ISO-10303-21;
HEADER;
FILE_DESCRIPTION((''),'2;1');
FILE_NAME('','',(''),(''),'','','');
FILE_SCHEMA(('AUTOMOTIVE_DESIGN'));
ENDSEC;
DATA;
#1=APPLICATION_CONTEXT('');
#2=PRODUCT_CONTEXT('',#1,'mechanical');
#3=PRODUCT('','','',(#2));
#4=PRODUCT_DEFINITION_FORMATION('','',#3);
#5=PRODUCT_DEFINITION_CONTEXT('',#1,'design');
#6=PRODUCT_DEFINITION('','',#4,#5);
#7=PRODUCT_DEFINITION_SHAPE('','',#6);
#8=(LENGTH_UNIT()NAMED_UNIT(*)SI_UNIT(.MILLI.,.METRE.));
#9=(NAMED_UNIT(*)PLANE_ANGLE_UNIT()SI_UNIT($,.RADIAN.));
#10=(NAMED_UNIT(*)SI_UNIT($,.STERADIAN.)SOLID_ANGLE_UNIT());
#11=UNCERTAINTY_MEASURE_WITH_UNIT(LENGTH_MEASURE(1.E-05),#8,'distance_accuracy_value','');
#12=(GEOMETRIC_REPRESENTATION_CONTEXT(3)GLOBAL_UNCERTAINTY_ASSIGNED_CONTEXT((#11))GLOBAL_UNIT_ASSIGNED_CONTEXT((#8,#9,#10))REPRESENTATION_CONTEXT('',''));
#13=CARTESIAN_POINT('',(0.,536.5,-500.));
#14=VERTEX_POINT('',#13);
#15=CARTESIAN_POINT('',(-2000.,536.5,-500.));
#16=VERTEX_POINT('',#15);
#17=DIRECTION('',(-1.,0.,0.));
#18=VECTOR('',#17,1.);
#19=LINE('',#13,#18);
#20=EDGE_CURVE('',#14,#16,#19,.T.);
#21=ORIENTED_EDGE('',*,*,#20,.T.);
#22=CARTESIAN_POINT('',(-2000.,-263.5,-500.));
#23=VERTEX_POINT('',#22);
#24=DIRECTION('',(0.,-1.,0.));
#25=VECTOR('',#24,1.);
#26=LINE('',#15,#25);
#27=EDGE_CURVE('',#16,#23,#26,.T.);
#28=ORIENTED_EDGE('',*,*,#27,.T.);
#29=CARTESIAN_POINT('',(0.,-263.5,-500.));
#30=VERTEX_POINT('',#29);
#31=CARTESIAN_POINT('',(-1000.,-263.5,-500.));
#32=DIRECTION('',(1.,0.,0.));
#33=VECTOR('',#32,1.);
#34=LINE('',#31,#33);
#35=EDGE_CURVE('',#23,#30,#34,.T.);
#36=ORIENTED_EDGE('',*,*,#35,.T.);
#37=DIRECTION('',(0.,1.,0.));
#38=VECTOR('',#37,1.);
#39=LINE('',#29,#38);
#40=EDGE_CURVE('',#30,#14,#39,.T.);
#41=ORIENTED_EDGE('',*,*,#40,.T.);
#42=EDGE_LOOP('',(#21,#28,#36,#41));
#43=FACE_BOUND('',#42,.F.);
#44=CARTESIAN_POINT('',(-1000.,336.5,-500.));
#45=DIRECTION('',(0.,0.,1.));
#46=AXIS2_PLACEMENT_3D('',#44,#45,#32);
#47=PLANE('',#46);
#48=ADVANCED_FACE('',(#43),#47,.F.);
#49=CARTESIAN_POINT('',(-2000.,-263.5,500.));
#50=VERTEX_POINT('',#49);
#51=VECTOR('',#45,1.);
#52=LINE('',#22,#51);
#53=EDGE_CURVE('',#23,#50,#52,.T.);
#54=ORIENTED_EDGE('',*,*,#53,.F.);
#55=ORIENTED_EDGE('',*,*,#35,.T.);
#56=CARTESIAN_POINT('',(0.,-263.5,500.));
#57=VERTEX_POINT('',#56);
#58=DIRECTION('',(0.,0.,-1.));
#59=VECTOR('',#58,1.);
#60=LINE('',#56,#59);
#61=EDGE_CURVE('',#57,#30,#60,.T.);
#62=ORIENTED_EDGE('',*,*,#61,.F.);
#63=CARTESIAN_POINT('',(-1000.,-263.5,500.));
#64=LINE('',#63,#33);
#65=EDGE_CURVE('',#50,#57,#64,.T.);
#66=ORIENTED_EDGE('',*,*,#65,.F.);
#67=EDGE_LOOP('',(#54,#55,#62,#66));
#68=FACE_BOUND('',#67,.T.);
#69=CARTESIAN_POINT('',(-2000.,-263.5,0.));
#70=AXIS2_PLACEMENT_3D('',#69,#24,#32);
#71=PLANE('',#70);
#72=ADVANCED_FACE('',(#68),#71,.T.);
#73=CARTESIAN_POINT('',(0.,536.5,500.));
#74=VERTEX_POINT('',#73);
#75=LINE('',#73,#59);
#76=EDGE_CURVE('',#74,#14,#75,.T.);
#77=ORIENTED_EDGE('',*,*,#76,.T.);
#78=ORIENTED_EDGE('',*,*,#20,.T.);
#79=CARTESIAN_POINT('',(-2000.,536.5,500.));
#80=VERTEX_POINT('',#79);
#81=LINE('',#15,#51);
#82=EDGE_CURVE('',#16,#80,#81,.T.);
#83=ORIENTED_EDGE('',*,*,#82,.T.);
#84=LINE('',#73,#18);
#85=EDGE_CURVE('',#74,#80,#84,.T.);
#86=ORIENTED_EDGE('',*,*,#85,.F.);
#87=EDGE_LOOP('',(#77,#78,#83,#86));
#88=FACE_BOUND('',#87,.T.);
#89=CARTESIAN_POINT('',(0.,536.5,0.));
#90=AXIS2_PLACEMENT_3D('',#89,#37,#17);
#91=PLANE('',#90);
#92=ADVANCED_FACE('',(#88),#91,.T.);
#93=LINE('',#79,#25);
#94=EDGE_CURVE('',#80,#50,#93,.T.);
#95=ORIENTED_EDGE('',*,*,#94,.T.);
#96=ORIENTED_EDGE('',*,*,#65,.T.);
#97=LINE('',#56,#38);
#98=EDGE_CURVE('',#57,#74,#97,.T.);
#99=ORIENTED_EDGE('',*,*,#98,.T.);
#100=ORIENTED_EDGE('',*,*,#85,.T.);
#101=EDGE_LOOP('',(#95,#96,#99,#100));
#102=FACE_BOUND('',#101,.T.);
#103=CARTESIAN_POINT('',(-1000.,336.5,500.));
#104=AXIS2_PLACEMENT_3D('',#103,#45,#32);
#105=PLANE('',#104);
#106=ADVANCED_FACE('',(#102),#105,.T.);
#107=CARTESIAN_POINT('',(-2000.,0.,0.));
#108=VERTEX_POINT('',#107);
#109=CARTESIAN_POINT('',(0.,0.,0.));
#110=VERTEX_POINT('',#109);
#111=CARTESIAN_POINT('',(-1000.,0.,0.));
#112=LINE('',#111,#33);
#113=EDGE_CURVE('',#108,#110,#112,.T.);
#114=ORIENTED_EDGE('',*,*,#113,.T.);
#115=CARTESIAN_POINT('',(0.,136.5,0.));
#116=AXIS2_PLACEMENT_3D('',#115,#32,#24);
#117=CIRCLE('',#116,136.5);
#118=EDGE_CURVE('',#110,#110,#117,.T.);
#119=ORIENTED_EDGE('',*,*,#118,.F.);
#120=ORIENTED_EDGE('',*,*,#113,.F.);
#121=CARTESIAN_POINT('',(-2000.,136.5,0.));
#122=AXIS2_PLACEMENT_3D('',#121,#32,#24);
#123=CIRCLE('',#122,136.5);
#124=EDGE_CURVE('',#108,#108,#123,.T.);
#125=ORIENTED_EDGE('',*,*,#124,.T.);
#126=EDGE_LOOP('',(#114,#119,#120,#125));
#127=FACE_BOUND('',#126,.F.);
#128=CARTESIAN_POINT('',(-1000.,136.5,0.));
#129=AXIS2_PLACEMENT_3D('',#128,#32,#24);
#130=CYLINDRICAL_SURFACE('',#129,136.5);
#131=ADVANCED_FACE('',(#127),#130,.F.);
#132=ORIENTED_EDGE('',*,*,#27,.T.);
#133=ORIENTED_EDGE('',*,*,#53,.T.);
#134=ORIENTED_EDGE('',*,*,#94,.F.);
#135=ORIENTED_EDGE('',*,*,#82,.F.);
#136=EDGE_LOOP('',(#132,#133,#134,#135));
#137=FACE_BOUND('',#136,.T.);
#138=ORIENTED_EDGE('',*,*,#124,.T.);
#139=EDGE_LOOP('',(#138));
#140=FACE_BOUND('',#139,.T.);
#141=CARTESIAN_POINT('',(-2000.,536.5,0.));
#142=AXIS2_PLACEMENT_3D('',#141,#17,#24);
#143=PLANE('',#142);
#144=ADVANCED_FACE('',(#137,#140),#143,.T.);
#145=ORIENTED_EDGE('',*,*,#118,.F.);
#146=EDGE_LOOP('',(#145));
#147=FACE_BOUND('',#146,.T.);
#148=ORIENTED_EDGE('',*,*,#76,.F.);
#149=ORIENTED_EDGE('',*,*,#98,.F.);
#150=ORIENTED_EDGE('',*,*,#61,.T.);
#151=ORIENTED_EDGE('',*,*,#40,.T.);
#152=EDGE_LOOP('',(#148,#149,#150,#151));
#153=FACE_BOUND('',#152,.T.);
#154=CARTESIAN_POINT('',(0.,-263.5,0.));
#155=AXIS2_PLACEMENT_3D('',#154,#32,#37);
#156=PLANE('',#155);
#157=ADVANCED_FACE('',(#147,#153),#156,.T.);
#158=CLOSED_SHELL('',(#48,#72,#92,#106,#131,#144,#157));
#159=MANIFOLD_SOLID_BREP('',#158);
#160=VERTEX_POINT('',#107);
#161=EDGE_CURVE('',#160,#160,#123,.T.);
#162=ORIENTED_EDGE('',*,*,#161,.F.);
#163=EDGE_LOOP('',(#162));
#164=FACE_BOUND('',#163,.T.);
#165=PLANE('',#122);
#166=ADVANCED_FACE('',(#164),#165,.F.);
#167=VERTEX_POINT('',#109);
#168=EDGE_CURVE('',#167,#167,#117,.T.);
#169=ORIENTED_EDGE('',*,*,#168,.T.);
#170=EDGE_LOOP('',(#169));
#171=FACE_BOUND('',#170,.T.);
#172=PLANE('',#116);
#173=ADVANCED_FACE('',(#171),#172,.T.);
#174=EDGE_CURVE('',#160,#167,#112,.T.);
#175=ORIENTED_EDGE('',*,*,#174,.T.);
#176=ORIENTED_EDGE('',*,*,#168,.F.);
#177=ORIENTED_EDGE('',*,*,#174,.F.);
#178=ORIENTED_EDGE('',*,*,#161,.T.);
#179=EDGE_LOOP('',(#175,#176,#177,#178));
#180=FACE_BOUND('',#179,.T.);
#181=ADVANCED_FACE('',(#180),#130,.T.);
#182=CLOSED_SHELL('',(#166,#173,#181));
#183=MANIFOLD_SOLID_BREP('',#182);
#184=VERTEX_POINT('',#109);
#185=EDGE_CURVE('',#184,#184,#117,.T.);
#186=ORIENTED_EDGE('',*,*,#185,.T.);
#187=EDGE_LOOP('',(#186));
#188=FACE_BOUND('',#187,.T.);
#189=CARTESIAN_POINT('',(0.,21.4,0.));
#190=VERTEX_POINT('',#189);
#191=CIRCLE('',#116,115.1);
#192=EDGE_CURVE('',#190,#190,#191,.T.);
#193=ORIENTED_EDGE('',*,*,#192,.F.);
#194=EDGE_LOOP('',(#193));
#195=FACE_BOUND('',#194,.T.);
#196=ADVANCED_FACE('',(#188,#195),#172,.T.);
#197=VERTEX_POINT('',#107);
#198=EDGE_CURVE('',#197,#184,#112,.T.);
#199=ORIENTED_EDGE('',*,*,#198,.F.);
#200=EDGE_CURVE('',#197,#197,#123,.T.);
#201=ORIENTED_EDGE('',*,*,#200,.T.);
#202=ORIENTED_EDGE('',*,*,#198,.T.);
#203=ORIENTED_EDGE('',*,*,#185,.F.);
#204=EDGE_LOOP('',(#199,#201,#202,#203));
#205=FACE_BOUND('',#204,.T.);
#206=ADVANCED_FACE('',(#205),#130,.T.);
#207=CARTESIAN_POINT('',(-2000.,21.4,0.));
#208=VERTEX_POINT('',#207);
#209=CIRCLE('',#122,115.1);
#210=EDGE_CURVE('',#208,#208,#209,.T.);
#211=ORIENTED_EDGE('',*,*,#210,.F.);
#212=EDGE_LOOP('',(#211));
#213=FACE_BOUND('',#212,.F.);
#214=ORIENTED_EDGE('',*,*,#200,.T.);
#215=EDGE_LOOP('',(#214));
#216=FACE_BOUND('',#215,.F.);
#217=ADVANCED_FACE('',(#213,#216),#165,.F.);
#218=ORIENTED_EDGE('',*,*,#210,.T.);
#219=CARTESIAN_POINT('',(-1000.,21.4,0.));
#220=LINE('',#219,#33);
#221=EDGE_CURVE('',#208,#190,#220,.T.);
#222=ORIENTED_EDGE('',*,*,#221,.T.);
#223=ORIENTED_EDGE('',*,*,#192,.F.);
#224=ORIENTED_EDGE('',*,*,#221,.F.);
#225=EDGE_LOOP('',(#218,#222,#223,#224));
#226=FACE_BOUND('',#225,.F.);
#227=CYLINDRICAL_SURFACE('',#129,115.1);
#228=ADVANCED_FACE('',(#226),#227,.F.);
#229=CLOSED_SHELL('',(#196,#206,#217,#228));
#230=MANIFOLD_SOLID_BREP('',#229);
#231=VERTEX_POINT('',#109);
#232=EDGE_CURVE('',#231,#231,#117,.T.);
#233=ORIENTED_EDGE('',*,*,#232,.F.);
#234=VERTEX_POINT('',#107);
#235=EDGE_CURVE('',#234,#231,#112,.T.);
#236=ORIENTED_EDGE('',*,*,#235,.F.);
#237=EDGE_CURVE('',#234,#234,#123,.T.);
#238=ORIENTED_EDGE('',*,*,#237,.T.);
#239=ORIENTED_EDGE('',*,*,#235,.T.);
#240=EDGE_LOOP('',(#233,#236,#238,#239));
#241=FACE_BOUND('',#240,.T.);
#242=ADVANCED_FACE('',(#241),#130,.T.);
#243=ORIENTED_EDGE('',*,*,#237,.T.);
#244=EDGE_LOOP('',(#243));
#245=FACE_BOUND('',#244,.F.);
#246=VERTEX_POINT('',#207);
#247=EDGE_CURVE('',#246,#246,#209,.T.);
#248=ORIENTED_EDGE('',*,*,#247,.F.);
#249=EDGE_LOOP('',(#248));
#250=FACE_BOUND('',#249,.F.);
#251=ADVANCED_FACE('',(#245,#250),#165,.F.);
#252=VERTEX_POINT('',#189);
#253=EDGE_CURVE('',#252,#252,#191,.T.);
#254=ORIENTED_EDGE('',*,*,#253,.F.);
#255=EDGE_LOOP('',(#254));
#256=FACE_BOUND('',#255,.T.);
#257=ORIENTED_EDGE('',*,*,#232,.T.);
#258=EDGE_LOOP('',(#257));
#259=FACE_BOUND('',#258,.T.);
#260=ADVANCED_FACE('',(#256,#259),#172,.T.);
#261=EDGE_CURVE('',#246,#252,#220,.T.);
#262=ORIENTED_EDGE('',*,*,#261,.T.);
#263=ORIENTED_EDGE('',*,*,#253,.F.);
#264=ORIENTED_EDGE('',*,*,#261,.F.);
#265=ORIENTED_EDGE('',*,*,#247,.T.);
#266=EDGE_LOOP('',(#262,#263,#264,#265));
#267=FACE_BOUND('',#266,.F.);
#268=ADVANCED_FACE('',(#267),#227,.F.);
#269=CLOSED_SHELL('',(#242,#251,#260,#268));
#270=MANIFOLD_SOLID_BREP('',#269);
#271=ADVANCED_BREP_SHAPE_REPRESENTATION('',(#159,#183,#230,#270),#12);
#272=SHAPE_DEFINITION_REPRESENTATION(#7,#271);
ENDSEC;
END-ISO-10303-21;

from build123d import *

# Parameters (mm, degrees)
F0_W     = 2000
F0_H     = 21.4
F0_H_2   = 115.1
F0_H_3   = 263.5
F2_DEPTH = 500


with BuildPart() as f1:
    # F0 (on Top) → F1 (revolve)
    with BuildSketch(Plane.XY):
        with Locations((-1000, 10.7)):
            Rectangle(F0_W, F0_H)
        with Locations((-1000, 78.95)):
            Rectangle(F0_W, F0_H_2)
    revolve(axis=Axis((-1000, 136.5, 0), (1, 0, 0)))


with BuildPart() as f2:
    # F0 (on Top) → F2 (new body, symmetric)
    with BuildSketch(Plane.XY):
        Polygon((-2000, 136.5), (0, 136.5), (0, 300), (0, 536.5), (-2000, 536.5), align=None)
        with Locations((-1000, -131.75)):
            Rectangle(F0_W, F0_H_3)
        with Locations((-1000, 78.95)):
            Rectangle(F0_W, F0_H_2)
        with Locations((-1000, 10.7)):
            Rectangle(F0_W, F0_H)
    extrude(amount=F2_DEPTH, both=True)

    # F3: cut F1
    add(f1.part, mode=Mode.SUBTRACT)


with BuildPart() as f4:
    # F0 (on Top) → F4 (revolve)
    with BuildSketch(Plane.XY):
        with Locations((-1000, 10.7)):
            Rectangle(F0_W, F0_H)
    revolve(axis=Axis((-1000, 136.5, 0), (1, 0, 0)))


with BuildPart() as f5:
    # F0 (on Top) → F5 (revolve)
    with BuildSketch(Plane.XY):
        with Locations((-1000, 10.7)):
            Rectangle(F0_W, F0_H)
    revolve(axis=Axis((-1000, 136.5, 0), (1, 0, 0)))


solid = Compound([f1.part, f2.part, f4.part, f5.part])
